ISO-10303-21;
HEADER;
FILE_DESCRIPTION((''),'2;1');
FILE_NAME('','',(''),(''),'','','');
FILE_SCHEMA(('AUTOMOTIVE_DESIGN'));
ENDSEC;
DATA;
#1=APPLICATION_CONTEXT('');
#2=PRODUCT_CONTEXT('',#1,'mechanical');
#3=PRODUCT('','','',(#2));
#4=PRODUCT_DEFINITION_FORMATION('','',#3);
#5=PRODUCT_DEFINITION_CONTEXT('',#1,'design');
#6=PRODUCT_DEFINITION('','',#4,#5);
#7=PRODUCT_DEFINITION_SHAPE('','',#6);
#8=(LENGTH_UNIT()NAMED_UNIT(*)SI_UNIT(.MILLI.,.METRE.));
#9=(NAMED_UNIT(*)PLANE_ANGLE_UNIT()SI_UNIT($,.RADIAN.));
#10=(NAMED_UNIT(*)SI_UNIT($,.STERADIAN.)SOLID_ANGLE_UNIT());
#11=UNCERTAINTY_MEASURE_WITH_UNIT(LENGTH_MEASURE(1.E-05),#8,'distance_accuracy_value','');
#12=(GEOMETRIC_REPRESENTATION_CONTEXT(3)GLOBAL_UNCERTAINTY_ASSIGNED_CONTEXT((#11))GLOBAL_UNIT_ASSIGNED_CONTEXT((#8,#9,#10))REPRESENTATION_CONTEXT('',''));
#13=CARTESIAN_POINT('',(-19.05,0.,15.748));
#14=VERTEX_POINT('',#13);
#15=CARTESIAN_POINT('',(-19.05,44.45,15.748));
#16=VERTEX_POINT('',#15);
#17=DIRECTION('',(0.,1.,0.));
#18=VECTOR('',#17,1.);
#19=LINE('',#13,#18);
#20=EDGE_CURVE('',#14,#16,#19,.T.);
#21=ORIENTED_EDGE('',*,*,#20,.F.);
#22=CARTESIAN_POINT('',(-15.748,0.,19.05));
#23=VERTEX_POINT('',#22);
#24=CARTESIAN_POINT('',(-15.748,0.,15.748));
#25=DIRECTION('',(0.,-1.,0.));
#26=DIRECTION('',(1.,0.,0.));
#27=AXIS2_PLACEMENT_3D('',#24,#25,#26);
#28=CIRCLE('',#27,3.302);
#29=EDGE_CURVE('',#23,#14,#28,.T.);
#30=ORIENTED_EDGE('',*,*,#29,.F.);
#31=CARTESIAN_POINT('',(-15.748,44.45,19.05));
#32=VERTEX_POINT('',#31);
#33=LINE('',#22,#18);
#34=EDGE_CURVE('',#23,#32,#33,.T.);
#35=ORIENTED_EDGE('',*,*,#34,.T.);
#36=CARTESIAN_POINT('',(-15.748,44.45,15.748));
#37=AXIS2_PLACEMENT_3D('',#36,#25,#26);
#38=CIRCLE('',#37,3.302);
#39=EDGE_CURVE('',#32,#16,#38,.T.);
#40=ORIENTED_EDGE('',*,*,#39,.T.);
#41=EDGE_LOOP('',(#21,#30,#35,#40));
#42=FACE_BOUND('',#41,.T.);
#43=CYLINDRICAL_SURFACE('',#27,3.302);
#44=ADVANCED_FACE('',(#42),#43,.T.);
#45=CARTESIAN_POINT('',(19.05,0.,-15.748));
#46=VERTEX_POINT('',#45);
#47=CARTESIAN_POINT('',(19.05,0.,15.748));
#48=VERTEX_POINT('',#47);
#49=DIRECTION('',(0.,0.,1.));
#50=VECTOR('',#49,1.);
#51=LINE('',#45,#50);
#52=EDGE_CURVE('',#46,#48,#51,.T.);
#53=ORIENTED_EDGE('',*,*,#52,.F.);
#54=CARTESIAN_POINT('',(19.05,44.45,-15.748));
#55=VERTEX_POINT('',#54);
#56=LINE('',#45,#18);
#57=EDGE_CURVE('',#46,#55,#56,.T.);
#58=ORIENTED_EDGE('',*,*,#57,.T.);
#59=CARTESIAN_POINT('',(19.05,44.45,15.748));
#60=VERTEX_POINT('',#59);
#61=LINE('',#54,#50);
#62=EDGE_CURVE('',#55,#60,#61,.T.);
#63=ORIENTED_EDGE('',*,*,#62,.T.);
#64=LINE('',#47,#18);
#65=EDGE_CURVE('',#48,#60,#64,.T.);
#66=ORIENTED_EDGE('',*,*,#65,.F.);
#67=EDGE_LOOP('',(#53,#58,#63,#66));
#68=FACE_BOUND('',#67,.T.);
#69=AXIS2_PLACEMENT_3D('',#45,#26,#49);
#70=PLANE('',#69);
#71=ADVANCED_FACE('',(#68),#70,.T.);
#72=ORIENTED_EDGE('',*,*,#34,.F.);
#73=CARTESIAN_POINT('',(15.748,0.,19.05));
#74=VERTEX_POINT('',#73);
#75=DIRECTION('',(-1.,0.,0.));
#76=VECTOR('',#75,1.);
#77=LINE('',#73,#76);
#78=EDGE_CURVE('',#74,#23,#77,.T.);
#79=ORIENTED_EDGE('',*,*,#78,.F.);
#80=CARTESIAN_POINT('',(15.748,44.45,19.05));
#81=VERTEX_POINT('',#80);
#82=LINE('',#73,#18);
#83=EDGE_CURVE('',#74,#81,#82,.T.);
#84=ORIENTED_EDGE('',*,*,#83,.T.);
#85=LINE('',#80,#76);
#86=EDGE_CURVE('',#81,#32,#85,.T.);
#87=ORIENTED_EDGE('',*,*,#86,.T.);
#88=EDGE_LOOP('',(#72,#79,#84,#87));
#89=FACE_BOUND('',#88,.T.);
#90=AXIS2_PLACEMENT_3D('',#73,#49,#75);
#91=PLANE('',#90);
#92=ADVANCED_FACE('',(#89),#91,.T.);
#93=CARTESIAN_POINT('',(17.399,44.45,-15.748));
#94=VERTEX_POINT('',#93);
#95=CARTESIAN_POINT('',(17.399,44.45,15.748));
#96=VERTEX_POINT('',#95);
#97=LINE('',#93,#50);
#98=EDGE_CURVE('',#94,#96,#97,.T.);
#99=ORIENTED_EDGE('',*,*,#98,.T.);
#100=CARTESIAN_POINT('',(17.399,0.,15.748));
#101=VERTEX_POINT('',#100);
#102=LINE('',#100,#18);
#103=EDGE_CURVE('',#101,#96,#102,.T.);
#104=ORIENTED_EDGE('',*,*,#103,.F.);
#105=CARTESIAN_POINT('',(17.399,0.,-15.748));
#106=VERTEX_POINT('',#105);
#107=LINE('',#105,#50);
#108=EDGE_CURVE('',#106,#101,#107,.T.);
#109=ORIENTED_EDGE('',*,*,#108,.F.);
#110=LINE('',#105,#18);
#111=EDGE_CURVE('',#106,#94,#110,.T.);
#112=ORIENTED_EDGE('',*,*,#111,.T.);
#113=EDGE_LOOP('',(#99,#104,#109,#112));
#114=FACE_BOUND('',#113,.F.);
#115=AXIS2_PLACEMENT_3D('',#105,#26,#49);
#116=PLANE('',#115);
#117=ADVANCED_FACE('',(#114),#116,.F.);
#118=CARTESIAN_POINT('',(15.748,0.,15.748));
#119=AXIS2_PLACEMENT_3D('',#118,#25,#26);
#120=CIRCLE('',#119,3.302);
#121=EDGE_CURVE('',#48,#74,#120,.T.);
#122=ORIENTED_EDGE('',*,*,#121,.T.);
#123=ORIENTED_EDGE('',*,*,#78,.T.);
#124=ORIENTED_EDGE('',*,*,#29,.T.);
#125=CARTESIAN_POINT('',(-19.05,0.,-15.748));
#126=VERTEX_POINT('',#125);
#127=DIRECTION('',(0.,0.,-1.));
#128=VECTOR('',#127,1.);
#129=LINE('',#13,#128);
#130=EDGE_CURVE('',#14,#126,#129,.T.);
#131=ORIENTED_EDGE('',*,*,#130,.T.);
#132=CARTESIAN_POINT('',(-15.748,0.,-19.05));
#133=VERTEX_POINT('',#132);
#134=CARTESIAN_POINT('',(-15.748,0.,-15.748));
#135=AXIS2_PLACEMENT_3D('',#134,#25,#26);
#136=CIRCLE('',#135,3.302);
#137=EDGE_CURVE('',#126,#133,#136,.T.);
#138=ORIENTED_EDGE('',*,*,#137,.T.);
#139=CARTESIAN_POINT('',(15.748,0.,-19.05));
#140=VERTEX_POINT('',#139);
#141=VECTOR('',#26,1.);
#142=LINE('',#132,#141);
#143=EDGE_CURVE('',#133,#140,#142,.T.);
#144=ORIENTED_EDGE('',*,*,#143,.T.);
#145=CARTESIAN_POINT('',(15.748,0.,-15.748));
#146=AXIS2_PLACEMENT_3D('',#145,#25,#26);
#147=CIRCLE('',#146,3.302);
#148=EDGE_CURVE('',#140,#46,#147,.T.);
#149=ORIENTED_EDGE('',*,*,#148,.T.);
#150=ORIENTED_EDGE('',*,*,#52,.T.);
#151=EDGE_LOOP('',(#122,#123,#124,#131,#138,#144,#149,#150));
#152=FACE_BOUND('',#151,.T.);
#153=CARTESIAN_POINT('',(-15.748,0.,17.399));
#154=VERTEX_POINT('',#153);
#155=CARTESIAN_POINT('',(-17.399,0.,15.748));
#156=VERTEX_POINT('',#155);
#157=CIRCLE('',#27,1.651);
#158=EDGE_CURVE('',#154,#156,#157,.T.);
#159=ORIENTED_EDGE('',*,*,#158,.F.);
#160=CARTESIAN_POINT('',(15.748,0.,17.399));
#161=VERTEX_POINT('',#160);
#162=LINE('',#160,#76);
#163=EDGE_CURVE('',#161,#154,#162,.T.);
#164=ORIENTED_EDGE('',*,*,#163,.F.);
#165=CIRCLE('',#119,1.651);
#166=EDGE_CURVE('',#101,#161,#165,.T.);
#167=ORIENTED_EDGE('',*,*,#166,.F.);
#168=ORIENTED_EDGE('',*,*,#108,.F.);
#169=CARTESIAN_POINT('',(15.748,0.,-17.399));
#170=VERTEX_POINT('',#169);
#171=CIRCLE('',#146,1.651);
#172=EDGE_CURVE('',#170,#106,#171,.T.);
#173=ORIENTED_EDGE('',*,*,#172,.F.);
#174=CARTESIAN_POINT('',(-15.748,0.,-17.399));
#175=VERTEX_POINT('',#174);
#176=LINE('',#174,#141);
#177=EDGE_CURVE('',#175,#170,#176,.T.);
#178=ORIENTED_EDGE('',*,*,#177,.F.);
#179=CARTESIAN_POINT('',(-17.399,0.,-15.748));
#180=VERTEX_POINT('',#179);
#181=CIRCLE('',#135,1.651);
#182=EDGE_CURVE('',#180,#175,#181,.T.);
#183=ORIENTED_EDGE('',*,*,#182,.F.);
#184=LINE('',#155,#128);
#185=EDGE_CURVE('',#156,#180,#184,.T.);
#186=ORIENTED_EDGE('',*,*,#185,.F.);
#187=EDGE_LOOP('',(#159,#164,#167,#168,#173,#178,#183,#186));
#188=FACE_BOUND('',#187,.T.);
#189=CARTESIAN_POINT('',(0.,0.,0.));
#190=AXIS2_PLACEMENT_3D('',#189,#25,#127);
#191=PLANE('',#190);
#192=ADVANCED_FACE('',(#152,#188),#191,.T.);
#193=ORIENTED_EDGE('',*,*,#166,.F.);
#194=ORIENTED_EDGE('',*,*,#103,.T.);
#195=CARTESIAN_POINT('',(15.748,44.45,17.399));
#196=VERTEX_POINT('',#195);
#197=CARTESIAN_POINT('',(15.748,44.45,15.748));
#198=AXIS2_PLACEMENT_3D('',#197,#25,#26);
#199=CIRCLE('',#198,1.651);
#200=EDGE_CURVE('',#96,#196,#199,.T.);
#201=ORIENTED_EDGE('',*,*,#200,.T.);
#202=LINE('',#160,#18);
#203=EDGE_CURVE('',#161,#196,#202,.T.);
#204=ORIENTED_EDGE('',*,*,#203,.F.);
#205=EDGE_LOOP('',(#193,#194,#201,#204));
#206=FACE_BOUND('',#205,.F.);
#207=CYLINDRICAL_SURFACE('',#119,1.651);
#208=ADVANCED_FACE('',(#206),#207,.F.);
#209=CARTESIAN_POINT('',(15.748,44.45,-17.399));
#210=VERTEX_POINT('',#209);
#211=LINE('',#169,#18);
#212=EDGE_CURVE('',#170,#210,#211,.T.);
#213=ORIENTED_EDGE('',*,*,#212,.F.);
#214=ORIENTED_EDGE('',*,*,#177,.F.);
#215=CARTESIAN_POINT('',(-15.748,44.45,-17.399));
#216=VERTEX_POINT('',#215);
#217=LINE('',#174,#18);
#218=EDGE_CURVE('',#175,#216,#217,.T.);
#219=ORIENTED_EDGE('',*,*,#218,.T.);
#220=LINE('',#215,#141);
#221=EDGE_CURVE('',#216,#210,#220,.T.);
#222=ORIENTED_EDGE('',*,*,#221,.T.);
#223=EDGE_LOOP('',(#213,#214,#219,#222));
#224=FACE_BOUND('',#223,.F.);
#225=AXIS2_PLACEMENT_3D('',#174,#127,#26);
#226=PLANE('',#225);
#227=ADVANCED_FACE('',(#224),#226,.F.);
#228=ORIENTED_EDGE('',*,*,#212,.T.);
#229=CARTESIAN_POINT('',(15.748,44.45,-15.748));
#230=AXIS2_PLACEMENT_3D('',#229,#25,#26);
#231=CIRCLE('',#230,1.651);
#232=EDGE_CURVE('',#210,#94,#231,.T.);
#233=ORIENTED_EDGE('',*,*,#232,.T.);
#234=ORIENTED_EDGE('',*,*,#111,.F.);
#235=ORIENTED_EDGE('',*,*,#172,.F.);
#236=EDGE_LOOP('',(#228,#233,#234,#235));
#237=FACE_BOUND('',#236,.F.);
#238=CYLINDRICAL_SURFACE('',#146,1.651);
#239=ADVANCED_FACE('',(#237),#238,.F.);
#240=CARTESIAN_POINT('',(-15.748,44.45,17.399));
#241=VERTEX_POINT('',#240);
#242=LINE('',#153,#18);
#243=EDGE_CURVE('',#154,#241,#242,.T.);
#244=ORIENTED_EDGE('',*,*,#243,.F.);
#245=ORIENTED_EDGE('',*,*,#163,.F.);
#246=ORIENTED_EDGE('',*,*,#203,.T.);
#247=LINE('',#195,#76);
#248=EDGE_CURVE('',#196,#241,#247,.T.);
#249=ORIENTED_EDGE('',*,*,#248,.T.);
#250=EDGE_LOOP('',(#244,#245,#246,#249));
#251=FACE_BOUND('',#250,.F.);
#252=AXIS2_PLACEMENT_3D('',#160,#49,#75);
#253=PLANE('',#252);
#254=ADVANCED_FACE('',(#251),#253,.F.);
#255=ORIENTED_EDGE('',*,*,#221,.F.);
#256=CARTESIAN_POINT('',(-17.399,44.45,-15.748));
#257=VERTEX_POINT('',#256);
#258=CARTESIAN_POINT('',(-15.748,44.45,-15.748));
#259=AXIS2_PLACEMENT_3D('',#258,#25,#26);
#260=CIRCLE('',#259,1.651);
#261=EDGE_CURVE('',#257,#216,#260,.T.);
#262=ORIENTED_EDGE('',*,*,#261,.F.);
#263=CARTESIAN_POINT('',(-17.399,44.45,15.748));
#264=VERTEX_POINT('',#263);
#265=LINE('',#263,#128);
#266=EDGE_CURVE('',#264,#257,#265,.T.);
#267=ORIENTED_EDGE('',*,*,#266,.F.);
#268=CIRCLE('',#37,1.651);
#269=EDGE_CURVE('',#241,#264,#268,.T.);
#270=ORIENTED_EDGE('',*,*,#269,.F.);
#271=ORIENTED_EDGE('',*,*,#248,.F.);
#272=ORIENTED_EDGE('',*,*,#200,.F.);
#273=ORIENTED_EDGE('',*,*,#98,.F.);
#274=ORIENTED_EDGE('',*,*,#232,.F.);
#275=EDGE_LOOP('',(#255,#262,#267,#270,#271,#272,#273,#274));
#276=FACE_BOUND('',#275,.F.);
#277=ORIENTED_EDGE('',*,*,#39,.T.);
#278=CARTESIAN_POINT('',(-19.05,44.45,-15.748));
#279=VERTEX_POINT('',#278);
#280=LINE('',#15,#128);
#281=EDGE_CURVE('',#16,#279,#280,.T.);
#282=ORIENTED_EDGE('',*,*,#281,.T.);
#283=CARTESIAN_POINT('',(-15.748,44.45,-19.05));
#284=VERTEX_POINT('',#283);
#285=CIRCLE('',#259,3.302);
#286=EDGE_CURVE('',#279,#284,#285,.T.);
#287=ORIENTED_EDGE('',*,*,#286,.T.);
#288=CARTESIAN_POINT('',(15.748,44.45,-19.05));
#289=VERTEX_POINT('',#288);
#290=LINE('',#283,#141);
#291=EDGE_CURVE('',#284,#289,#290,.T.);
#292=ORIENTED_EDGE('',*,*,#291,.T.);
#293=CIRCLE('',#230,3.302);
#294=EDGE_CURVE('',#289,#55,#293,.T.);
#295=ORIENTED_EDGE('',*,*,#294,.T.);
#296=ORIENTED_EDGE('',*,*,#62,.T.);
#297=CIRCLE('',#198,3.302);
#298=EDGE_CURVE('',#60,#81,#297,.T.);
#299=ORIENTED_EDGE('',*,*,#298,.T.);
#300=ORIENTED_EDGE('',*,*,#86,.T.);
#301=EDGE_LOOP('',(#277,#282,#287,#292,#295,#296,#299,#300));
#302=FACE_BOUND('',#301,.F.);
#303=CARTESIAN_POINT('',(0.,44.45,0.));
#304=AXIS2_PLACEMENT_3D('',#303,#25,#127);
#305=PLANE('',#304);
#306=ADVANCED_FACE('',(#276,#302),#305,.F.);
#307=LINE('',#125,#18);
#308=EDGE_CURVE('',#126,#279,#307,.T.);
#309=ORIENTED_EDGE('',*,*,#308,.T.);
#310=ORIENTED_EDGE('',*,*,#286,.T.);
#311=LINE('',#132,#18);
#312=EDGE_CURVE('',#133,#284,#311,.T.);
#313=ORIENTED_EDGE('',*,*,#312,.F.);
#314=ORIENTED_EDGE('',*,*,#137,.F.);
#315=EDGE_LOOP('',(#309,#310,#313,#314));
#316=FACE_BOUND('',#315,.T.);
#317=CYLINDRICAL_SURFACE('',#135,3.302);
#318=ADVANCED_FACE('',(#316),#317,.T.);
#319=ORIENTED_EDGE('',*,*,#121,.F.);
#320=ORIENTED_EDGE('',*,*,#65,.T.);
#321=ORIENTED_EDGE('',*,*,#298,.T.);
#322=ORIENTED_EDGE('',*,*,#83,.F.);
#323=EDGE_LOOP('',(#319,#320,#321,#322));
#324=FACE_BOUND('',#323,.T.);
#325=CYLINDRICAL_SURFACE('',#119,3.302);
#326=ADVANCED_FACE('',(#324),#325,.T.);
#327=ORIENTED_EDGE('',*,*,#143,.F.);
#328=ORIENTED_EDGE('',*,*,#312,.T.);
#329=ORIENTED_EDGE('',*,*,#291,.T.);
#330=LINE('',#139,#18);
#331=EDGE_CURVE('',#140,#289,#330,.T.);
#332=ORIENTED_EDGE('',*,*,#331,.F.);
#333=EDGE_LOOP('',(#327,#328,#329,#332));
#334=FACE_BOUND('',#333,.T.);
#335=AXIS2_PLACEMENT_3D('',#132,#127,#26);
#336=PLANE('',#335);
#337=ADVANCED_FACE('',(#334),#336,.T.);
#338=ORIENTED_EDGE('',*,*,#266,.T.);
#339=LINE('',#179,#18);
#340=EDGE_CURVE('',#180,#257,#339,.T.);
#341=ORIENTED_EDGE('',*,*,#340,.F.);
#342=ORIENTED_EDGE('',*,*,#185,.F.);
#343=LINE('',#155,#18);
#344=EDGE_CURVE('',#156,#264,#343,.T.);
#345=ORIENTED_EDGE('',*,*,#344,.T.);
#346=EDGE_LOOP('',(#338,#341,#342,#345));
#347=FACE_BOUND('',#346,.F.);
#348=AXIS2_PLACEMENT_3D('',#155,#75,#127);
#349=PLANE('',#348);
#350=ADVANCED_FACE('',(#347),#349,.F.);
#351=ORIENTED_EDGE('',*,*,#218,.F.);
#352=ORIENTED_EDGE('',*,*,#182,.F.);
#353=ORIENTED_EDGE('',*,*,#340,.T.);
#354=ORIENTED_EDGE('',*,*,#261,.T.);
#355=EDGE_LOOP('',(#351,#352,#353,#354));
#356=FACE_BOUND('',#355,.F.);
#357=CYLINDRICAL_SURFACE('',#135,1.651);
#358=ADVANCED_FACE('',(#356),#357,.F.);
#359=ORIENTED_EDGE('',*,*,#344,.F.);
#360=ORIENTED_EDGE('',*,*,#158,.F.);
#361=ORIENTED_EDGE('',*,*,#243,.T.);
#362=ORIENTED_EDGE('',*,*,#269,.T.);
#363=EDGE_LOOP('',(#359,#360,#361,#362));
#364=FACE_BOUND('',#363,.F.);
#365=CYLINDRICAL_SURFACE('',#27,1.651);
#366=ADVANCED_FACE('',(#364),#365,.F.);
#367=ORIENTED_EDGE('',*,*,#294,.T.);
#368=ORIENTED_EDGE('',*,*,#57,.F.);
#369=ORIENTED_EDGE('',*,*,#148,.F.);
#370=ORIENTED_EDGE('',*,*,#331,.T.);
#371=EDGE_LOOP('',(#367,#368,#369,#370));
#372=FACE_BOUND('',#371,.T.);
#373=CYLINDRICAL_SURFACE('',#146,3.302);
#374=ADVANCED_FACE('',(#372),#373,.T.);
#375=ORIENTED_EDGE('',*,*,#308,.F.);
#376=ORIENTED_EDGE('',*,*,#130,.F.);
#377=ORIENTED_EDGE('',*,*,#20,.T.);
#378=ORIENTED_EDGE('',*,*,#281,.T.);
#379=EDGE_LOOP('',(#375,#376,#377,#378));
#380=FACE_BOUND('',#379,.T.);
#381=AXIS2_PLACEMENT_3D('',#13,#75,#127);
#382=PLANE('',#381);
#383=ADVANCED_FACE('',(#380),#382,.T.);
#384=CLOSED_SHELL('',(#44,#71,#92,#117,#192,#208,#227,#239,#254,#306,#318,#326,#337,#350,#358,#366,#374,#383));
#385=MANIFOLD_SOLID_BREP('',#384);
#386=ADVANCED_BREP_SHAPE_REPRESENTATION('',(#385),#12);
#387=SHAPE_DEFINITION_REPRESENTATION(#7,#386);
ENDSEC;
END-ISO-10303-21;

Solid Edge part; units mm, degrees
sketch "Sketch1" plane through (0, 0, 0) normal (0, -1, 0) x (1, 0, 0)
  line L0 (-17.399, 15.748) -> (-17.399, -15.748)
  arc A0 (-17.399, -15.748) -> (-15.748, -17.399) centre (-15.748, -15.748) ccw
  line L1 (-15.748, -17.399) -> (15.748, -17.399)
  arc A1 (15.748, -17.399) -> (17.399, -15.748) centre (15.748, -15.748) ccw
  line L2 (17.399, -15.748) -> (17.399, 15.748)
  arc A2 (17.399, 15.748) -> (15.748, 17.399) centre (15.748, 15.748) ccw
  line L3 (15.748, 17.399) -> (-15.748, 17.399)
  arc A3 (-15.748, 17.399) -> (-17.399, 15.748) centre (-15.748, 15.748) ccw
  arc A4 (-19.05, -15.748) -> (-15.748, -19.05) centre (-15.748, -15.748) ccw
  line L4 (-15.748, -19.05) -> (15.748, -19.05)
  arc A5 (15.748, -19.05) -> (19.05, -15.748) centre (15.748, -15.748) ccw
  line L5 (19.05, -15.748) -> (19.05, 15.748)
  arc A6 (19.05, 15.748) -> (15.748, 19.05) centre (15.748, 15.748) ccw
  line L6 (15.748, 19.05) -> (-15.748, 19.05)
  arc A7 (-15.748, 19.05) -> (-19.05, 15.748) centre (-15.748, 15.748) ccw
  line L7 (-19.05, 15.748) -> (-19.05, -15.748)
  dimension "D1" = 38.1
  dimension "D2" = 38.1
  dimension "D3" = 1.651
  dimension "D4" = 1.651
  dimension "D5" = 1.651
  dimension "D6" = 1.651
extrude "Protrusion1" add sketch "Sketch1" against normal blind 44.45
